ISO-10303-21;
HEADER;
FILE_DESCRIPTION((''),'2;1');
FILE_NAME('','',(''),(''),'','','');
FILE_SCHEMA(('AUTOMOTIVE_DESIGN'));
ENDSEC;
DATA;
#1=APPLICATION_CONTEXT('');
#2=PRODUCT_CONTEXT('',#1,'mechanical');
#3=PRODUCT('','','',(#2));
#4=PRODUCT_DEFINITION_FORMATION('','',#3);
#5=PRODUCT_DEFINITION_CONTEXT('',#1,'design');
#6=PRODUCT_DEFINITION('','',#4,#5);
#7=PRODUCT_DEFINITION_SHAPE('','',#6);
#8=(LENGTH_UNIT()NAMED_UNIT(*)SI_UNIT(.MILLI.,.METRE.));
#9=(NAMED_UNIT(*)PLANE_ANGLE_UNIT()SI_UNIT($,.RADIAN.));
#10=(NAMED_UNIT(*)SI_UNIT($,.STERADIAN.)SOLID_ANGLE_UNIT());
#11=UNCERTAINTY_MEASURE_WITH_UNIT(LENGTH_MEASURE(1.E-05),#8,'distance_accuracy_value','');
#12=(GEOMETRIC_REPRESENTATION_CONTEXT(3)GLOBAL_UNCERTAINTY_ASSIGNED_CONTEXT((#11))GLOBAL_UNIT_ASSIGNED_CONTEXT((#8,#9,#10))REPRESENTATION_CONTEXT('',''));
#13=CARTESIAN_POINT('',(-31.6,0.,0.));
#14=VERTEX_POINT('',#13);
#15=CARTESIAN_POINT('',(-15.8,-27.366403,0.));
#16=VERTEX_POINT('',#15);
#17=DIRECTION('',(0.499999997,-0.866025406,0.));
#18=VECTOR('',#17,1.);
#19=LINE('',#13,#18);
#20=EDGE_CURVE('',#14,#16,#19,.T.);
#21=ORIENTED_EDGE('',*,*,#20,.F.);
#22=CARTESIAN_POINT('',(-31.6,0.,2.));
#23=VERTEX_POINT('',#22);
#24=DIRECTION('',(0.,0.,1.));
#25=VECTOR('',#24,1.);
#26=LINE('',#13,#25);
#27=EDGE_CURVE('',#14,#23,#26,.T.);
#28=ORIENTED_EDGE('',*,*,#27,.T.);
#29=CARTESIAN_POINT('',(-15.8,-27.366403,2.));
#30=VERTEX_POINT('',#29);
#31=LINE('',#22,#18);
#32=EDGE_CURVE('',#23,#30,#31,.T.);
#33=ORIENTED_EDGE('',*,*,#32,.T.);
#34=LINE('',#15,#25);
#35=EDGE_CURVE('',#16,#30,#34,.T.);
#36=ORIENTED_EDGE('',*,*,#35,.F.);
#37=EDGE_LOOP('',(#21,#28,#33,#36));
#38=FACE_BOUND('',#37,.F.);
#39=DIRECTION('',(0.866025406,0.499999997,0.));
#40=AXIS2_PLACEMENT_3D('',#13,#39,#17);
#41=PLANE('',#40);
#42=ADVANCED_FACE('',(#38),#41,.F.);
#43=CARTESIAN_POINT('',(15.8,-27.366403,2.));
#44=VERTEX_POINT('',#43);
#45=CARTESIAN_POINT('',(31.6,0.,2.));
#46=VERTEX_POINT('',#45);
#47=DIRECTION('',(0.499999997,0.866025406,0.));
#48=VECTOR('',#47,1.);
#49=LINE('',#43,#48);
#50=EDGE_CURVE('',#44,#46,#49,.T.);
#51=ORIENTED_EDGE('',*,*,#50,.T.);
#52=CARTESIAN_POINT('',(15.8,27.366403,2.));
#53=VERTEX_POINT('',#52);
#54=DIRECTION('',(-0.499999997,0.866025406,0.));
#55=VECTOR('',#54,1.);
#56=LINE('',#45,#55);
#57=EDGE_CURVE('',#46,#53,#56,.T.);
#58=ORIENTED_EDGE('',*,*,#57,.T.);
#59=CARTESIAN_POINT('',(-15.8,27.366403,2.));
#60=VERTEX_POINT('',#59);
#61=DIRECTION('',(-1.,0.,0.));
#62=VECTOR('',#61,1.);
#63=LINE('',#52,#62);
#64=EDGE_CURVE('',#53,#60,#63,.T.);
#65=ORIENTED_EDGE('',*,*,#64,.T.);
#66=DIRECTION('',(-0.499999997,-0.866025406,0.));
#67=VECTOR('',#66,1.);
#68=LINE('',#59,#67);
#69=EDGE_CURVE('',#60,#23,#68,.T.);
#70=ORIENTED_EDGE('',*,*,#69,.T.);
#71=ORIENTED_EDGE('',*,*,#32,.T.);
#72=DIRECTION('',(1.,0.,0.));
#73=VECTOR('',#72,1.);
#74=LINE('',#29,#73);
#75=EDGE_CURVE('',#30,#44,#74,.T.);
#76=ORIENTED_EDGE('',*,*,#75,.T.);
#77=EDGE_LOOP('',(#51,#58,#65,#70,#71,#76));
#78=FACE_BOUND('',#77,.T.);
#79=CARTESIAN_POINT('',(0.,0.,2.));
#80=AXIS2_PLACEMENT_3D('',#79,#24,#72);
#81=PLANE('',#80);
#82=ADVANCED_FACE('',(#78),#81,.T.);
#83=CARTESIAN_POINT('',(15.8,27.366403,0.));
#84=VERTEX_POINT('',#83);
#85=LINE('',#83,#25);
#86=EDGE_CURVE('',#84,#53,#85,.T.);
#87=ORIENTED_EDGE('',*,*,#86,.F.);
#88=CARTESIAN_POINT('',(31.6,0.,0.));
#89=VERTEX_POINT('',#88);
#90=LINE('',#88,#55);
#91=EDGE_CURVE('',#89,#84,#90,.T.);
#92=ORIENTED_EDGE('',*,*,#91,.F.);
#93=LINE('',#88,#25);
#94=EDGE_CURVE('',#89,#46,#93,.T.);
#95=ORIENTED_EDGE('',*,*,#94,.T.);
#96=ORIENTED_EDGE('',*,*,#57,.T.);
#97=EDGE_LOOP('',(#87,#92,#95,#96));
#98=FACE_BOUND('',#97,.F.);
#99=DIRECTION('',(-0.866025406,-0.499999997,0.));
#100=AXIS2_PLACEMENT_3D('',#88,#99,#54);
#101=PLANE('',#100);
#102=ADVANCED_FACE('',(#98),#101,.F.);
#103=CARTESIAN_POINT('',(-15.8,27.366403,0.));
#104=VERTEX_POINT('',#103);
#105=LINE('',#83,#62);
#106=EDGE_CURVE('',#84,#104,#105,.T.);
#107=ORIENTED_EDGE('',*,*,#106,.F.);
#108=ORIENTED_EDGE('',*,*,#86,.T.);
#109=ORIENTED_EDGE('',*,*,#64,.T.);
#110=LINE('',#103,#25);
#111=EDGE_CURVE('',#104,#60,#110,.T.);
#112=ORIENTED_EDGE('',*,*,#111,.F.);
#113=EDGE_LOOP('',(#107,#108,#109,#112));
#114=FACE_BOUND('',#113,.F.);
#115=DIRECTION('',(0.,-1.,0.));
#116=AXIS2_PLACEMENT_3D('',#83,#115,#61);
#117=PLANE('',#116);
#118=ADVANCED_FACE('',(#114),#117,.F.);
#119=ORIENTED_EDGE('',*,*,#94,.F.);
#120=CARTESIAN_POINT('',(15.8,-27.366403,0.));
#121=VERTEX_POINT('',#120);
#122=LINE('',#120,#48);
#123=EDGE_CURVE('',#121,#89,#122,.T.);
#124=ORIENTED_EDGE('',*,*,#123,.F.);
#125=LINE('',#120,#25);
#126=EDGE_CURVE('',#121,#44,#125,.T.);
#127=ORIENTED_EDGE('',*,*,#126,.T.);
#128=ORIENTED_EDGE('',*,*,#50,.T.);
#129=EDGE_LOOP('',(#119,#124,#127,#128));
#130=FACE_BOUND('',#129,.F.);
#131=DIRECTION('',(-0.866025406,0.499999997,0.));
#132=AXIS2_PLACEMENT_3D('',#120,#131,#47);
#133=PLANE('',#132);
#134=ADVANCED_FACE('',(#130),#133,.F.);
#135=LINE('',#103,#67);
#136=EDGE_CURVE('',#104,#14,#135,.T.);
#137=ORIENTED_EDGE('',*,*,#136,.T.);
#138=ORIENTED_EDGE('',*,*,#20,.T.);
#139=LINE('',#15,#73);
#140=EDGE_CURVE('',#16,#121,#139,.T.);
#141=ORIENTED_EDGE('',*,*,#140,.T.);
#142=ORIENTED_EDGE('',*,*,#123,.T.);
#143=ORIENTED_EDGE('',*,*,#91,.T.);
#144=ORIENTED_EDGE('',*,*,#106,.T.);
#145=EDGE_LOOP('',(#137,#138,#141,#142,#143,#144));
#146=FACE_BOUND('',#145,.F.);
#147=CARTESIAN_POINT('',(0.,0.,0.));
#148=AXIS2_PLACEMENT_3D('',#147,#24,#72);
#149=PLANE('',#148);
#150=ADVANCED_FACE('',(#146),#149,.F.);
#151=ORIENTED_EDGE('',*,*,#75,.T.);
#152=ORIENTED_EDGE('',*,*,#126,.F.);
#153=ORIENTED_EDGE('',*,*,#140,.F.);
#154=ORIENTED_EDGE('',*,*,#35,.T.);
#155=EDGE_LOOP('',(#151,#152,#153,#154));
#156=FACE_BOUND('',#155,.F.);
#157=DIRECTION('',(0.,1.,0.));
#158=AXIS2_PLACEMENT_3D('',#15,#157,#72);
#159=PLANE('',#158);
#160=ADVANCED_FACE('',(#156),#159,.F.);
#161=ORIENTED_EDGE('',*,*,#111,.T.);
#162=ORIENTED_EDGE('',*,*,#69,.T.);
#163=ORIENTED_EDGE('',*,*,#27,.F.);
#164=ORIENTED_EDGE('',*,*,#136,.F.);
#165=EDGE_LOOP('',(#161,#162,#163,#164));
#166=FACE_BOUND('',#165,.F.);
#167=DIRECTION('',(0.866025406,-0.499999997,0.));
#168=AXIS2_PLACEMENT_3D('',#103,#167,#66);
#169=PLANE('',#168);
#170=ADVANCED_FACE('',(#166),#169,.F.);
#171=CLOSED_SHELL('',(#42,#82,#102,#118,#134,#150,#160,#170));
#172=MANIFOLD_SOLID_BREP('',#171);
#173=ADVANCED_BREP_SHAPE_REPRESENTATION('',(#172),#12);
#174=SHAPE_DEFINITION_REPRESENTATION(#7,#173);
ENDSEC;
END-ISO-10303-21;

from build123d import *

# Parameters (mm, degrees)
PAD_DEPTH = 2


with BuildPart() as part:
    # Sketch → Pad (new body)
    with BuildSketch(Plane.XY):
        Polygon((-31.6, 0), (-15.8, -27.366403), (15.8, -27.366403), (31.6, 0), (15.8, 27.366403), (-15.8, 27.366403), align=None)
    extrude(amount=PAD_DEPTH)


solid = part.part
